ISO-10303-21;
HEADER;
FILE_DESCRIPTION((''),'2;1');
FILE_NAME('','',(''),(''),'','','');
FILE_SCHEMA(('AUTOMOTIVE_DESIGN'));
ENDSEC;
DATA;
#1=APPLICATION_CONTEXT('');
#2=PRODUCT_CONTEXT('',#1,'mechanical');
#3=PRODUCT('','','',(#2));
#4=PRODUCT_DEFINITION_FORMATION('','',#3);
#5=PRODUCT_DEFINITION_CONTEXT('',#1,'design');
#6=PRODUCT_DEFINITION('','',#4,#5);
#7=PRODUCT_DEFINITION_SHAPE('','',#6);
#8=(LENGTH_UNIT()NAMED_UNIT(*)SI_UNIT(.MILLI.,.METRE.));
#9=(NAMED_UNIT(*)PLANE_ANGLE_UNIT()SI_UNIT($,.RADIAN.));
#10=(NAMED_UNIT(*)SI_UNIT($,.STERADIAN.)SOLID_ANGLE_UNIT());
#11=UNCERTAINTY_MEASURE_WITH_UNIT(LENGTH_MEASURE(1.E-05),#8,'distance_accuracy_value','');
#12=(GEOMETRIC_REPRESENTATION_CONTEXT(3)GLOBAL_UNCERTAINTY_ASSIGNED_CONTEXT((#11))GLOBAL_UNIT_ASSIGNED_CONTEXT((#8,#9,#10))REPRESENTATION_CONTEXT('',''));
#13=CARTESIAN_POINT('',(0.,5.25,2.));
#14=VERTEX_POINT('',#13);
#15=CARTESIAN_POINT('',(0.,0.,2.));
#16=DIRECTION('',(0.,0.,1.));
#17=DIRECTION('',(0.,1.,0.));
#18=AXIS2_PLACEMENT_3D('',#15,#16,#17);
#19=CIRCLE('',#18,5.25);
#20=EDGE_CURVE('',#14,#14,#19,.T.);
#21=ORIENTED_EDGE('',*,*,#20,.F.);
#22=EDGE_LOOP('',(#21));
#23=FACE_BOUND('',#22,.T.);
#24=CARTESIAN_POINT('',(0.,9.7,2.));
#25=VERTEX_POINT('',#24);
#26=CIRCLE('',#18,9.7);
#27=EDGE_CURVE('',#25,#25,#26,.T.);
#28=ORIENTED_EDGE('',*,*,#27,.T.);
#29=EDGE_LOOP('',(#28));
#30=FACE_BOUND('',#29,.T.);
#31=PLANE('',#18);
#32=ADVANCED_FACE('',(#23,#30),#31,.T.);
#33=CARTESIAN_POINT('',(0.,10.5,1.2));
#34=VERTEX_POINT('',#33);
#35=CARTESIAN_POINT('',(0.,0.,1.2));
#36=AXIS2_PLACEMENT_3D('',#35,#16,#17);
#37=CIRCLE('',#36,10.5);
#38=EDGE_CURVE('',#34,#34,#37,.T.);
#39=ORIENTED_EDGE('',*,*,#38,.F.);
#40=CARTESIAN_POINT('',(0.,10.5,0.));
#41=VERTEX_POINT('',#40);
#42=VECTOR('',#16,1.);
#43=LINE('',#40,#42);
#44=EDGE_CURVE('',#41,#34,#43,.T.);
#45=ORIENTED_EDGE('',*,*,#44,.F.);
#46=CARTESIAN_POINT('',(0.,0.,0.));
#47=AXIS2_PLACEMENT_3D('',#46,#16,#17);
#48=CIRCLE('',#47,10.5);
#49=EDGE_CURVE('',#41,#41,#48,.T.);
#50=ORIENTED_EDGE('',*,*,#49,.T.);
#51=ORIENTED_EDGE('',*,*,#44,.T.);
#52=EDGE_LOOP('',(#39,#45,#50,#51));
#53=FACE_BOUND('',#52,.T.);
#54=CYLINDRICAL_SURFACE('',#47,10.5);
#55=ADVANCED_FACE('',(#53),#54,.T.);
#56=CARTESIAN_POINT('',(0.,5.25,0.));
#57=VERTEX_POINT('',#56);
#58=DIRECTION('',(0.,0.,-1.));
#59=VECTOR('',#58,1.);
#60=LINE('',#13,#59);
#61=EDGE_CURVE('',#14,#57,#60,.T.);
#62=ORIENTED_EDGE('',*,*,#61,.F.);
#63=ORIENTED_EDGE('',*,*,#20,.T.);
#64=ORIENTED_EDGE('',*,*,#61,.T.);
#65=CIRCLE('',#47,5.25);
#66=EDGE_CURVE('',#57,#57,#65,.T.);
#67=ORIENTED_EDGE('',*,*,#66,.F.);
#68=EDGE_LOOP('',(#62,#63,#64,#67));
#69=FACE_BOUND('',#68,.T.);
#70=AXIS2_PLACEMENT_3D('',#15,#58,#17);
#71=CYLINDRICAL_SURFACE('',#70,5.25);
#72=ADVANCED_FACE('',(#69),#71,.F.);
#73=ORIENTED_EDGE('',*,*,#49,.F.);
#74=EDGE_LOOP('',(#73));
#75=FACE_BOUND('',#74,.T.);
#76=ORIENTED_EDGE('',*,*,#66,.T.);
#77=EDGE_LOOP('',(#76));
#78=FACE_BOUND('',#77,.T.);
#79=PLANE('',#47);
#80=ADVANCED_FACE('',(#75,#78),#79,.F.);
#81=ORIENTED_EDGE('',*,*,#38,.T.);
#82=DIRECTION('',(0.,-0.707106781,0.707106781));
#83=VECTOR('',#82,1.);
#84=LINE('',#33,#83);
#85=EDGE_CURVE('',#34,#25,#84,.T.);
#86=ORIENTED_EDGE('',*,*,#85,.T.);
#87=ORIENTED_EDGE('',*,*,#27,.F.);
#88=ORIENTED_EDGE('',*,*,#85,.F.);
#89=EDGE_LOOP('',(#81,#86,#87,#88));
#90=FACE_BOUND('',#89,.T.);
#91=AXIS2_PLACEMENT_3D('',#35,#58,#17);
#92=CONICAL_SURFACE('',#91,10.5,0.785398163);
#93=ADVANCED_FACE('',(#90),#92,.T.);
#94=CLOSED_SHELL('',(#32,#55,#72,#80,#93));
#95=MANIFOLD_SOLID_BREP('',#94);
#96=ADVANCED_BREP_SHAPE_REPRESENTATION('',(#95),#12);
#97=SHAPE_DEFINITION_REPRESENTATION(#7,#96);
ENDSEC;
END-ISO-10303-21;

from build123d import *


with BuildPart() as part:
    # Sketch → Revolution (revolve)
    with BuildSketch(Plane.YZ):
        Polygon((5.25, 0), (10.5, 0), (10.5, 1.2), (9.7, 2), (5.25, 2), align=None)
    revolve(axis=Axis((0, 0, 0), (0, 0, 1)))


solid = part.part
